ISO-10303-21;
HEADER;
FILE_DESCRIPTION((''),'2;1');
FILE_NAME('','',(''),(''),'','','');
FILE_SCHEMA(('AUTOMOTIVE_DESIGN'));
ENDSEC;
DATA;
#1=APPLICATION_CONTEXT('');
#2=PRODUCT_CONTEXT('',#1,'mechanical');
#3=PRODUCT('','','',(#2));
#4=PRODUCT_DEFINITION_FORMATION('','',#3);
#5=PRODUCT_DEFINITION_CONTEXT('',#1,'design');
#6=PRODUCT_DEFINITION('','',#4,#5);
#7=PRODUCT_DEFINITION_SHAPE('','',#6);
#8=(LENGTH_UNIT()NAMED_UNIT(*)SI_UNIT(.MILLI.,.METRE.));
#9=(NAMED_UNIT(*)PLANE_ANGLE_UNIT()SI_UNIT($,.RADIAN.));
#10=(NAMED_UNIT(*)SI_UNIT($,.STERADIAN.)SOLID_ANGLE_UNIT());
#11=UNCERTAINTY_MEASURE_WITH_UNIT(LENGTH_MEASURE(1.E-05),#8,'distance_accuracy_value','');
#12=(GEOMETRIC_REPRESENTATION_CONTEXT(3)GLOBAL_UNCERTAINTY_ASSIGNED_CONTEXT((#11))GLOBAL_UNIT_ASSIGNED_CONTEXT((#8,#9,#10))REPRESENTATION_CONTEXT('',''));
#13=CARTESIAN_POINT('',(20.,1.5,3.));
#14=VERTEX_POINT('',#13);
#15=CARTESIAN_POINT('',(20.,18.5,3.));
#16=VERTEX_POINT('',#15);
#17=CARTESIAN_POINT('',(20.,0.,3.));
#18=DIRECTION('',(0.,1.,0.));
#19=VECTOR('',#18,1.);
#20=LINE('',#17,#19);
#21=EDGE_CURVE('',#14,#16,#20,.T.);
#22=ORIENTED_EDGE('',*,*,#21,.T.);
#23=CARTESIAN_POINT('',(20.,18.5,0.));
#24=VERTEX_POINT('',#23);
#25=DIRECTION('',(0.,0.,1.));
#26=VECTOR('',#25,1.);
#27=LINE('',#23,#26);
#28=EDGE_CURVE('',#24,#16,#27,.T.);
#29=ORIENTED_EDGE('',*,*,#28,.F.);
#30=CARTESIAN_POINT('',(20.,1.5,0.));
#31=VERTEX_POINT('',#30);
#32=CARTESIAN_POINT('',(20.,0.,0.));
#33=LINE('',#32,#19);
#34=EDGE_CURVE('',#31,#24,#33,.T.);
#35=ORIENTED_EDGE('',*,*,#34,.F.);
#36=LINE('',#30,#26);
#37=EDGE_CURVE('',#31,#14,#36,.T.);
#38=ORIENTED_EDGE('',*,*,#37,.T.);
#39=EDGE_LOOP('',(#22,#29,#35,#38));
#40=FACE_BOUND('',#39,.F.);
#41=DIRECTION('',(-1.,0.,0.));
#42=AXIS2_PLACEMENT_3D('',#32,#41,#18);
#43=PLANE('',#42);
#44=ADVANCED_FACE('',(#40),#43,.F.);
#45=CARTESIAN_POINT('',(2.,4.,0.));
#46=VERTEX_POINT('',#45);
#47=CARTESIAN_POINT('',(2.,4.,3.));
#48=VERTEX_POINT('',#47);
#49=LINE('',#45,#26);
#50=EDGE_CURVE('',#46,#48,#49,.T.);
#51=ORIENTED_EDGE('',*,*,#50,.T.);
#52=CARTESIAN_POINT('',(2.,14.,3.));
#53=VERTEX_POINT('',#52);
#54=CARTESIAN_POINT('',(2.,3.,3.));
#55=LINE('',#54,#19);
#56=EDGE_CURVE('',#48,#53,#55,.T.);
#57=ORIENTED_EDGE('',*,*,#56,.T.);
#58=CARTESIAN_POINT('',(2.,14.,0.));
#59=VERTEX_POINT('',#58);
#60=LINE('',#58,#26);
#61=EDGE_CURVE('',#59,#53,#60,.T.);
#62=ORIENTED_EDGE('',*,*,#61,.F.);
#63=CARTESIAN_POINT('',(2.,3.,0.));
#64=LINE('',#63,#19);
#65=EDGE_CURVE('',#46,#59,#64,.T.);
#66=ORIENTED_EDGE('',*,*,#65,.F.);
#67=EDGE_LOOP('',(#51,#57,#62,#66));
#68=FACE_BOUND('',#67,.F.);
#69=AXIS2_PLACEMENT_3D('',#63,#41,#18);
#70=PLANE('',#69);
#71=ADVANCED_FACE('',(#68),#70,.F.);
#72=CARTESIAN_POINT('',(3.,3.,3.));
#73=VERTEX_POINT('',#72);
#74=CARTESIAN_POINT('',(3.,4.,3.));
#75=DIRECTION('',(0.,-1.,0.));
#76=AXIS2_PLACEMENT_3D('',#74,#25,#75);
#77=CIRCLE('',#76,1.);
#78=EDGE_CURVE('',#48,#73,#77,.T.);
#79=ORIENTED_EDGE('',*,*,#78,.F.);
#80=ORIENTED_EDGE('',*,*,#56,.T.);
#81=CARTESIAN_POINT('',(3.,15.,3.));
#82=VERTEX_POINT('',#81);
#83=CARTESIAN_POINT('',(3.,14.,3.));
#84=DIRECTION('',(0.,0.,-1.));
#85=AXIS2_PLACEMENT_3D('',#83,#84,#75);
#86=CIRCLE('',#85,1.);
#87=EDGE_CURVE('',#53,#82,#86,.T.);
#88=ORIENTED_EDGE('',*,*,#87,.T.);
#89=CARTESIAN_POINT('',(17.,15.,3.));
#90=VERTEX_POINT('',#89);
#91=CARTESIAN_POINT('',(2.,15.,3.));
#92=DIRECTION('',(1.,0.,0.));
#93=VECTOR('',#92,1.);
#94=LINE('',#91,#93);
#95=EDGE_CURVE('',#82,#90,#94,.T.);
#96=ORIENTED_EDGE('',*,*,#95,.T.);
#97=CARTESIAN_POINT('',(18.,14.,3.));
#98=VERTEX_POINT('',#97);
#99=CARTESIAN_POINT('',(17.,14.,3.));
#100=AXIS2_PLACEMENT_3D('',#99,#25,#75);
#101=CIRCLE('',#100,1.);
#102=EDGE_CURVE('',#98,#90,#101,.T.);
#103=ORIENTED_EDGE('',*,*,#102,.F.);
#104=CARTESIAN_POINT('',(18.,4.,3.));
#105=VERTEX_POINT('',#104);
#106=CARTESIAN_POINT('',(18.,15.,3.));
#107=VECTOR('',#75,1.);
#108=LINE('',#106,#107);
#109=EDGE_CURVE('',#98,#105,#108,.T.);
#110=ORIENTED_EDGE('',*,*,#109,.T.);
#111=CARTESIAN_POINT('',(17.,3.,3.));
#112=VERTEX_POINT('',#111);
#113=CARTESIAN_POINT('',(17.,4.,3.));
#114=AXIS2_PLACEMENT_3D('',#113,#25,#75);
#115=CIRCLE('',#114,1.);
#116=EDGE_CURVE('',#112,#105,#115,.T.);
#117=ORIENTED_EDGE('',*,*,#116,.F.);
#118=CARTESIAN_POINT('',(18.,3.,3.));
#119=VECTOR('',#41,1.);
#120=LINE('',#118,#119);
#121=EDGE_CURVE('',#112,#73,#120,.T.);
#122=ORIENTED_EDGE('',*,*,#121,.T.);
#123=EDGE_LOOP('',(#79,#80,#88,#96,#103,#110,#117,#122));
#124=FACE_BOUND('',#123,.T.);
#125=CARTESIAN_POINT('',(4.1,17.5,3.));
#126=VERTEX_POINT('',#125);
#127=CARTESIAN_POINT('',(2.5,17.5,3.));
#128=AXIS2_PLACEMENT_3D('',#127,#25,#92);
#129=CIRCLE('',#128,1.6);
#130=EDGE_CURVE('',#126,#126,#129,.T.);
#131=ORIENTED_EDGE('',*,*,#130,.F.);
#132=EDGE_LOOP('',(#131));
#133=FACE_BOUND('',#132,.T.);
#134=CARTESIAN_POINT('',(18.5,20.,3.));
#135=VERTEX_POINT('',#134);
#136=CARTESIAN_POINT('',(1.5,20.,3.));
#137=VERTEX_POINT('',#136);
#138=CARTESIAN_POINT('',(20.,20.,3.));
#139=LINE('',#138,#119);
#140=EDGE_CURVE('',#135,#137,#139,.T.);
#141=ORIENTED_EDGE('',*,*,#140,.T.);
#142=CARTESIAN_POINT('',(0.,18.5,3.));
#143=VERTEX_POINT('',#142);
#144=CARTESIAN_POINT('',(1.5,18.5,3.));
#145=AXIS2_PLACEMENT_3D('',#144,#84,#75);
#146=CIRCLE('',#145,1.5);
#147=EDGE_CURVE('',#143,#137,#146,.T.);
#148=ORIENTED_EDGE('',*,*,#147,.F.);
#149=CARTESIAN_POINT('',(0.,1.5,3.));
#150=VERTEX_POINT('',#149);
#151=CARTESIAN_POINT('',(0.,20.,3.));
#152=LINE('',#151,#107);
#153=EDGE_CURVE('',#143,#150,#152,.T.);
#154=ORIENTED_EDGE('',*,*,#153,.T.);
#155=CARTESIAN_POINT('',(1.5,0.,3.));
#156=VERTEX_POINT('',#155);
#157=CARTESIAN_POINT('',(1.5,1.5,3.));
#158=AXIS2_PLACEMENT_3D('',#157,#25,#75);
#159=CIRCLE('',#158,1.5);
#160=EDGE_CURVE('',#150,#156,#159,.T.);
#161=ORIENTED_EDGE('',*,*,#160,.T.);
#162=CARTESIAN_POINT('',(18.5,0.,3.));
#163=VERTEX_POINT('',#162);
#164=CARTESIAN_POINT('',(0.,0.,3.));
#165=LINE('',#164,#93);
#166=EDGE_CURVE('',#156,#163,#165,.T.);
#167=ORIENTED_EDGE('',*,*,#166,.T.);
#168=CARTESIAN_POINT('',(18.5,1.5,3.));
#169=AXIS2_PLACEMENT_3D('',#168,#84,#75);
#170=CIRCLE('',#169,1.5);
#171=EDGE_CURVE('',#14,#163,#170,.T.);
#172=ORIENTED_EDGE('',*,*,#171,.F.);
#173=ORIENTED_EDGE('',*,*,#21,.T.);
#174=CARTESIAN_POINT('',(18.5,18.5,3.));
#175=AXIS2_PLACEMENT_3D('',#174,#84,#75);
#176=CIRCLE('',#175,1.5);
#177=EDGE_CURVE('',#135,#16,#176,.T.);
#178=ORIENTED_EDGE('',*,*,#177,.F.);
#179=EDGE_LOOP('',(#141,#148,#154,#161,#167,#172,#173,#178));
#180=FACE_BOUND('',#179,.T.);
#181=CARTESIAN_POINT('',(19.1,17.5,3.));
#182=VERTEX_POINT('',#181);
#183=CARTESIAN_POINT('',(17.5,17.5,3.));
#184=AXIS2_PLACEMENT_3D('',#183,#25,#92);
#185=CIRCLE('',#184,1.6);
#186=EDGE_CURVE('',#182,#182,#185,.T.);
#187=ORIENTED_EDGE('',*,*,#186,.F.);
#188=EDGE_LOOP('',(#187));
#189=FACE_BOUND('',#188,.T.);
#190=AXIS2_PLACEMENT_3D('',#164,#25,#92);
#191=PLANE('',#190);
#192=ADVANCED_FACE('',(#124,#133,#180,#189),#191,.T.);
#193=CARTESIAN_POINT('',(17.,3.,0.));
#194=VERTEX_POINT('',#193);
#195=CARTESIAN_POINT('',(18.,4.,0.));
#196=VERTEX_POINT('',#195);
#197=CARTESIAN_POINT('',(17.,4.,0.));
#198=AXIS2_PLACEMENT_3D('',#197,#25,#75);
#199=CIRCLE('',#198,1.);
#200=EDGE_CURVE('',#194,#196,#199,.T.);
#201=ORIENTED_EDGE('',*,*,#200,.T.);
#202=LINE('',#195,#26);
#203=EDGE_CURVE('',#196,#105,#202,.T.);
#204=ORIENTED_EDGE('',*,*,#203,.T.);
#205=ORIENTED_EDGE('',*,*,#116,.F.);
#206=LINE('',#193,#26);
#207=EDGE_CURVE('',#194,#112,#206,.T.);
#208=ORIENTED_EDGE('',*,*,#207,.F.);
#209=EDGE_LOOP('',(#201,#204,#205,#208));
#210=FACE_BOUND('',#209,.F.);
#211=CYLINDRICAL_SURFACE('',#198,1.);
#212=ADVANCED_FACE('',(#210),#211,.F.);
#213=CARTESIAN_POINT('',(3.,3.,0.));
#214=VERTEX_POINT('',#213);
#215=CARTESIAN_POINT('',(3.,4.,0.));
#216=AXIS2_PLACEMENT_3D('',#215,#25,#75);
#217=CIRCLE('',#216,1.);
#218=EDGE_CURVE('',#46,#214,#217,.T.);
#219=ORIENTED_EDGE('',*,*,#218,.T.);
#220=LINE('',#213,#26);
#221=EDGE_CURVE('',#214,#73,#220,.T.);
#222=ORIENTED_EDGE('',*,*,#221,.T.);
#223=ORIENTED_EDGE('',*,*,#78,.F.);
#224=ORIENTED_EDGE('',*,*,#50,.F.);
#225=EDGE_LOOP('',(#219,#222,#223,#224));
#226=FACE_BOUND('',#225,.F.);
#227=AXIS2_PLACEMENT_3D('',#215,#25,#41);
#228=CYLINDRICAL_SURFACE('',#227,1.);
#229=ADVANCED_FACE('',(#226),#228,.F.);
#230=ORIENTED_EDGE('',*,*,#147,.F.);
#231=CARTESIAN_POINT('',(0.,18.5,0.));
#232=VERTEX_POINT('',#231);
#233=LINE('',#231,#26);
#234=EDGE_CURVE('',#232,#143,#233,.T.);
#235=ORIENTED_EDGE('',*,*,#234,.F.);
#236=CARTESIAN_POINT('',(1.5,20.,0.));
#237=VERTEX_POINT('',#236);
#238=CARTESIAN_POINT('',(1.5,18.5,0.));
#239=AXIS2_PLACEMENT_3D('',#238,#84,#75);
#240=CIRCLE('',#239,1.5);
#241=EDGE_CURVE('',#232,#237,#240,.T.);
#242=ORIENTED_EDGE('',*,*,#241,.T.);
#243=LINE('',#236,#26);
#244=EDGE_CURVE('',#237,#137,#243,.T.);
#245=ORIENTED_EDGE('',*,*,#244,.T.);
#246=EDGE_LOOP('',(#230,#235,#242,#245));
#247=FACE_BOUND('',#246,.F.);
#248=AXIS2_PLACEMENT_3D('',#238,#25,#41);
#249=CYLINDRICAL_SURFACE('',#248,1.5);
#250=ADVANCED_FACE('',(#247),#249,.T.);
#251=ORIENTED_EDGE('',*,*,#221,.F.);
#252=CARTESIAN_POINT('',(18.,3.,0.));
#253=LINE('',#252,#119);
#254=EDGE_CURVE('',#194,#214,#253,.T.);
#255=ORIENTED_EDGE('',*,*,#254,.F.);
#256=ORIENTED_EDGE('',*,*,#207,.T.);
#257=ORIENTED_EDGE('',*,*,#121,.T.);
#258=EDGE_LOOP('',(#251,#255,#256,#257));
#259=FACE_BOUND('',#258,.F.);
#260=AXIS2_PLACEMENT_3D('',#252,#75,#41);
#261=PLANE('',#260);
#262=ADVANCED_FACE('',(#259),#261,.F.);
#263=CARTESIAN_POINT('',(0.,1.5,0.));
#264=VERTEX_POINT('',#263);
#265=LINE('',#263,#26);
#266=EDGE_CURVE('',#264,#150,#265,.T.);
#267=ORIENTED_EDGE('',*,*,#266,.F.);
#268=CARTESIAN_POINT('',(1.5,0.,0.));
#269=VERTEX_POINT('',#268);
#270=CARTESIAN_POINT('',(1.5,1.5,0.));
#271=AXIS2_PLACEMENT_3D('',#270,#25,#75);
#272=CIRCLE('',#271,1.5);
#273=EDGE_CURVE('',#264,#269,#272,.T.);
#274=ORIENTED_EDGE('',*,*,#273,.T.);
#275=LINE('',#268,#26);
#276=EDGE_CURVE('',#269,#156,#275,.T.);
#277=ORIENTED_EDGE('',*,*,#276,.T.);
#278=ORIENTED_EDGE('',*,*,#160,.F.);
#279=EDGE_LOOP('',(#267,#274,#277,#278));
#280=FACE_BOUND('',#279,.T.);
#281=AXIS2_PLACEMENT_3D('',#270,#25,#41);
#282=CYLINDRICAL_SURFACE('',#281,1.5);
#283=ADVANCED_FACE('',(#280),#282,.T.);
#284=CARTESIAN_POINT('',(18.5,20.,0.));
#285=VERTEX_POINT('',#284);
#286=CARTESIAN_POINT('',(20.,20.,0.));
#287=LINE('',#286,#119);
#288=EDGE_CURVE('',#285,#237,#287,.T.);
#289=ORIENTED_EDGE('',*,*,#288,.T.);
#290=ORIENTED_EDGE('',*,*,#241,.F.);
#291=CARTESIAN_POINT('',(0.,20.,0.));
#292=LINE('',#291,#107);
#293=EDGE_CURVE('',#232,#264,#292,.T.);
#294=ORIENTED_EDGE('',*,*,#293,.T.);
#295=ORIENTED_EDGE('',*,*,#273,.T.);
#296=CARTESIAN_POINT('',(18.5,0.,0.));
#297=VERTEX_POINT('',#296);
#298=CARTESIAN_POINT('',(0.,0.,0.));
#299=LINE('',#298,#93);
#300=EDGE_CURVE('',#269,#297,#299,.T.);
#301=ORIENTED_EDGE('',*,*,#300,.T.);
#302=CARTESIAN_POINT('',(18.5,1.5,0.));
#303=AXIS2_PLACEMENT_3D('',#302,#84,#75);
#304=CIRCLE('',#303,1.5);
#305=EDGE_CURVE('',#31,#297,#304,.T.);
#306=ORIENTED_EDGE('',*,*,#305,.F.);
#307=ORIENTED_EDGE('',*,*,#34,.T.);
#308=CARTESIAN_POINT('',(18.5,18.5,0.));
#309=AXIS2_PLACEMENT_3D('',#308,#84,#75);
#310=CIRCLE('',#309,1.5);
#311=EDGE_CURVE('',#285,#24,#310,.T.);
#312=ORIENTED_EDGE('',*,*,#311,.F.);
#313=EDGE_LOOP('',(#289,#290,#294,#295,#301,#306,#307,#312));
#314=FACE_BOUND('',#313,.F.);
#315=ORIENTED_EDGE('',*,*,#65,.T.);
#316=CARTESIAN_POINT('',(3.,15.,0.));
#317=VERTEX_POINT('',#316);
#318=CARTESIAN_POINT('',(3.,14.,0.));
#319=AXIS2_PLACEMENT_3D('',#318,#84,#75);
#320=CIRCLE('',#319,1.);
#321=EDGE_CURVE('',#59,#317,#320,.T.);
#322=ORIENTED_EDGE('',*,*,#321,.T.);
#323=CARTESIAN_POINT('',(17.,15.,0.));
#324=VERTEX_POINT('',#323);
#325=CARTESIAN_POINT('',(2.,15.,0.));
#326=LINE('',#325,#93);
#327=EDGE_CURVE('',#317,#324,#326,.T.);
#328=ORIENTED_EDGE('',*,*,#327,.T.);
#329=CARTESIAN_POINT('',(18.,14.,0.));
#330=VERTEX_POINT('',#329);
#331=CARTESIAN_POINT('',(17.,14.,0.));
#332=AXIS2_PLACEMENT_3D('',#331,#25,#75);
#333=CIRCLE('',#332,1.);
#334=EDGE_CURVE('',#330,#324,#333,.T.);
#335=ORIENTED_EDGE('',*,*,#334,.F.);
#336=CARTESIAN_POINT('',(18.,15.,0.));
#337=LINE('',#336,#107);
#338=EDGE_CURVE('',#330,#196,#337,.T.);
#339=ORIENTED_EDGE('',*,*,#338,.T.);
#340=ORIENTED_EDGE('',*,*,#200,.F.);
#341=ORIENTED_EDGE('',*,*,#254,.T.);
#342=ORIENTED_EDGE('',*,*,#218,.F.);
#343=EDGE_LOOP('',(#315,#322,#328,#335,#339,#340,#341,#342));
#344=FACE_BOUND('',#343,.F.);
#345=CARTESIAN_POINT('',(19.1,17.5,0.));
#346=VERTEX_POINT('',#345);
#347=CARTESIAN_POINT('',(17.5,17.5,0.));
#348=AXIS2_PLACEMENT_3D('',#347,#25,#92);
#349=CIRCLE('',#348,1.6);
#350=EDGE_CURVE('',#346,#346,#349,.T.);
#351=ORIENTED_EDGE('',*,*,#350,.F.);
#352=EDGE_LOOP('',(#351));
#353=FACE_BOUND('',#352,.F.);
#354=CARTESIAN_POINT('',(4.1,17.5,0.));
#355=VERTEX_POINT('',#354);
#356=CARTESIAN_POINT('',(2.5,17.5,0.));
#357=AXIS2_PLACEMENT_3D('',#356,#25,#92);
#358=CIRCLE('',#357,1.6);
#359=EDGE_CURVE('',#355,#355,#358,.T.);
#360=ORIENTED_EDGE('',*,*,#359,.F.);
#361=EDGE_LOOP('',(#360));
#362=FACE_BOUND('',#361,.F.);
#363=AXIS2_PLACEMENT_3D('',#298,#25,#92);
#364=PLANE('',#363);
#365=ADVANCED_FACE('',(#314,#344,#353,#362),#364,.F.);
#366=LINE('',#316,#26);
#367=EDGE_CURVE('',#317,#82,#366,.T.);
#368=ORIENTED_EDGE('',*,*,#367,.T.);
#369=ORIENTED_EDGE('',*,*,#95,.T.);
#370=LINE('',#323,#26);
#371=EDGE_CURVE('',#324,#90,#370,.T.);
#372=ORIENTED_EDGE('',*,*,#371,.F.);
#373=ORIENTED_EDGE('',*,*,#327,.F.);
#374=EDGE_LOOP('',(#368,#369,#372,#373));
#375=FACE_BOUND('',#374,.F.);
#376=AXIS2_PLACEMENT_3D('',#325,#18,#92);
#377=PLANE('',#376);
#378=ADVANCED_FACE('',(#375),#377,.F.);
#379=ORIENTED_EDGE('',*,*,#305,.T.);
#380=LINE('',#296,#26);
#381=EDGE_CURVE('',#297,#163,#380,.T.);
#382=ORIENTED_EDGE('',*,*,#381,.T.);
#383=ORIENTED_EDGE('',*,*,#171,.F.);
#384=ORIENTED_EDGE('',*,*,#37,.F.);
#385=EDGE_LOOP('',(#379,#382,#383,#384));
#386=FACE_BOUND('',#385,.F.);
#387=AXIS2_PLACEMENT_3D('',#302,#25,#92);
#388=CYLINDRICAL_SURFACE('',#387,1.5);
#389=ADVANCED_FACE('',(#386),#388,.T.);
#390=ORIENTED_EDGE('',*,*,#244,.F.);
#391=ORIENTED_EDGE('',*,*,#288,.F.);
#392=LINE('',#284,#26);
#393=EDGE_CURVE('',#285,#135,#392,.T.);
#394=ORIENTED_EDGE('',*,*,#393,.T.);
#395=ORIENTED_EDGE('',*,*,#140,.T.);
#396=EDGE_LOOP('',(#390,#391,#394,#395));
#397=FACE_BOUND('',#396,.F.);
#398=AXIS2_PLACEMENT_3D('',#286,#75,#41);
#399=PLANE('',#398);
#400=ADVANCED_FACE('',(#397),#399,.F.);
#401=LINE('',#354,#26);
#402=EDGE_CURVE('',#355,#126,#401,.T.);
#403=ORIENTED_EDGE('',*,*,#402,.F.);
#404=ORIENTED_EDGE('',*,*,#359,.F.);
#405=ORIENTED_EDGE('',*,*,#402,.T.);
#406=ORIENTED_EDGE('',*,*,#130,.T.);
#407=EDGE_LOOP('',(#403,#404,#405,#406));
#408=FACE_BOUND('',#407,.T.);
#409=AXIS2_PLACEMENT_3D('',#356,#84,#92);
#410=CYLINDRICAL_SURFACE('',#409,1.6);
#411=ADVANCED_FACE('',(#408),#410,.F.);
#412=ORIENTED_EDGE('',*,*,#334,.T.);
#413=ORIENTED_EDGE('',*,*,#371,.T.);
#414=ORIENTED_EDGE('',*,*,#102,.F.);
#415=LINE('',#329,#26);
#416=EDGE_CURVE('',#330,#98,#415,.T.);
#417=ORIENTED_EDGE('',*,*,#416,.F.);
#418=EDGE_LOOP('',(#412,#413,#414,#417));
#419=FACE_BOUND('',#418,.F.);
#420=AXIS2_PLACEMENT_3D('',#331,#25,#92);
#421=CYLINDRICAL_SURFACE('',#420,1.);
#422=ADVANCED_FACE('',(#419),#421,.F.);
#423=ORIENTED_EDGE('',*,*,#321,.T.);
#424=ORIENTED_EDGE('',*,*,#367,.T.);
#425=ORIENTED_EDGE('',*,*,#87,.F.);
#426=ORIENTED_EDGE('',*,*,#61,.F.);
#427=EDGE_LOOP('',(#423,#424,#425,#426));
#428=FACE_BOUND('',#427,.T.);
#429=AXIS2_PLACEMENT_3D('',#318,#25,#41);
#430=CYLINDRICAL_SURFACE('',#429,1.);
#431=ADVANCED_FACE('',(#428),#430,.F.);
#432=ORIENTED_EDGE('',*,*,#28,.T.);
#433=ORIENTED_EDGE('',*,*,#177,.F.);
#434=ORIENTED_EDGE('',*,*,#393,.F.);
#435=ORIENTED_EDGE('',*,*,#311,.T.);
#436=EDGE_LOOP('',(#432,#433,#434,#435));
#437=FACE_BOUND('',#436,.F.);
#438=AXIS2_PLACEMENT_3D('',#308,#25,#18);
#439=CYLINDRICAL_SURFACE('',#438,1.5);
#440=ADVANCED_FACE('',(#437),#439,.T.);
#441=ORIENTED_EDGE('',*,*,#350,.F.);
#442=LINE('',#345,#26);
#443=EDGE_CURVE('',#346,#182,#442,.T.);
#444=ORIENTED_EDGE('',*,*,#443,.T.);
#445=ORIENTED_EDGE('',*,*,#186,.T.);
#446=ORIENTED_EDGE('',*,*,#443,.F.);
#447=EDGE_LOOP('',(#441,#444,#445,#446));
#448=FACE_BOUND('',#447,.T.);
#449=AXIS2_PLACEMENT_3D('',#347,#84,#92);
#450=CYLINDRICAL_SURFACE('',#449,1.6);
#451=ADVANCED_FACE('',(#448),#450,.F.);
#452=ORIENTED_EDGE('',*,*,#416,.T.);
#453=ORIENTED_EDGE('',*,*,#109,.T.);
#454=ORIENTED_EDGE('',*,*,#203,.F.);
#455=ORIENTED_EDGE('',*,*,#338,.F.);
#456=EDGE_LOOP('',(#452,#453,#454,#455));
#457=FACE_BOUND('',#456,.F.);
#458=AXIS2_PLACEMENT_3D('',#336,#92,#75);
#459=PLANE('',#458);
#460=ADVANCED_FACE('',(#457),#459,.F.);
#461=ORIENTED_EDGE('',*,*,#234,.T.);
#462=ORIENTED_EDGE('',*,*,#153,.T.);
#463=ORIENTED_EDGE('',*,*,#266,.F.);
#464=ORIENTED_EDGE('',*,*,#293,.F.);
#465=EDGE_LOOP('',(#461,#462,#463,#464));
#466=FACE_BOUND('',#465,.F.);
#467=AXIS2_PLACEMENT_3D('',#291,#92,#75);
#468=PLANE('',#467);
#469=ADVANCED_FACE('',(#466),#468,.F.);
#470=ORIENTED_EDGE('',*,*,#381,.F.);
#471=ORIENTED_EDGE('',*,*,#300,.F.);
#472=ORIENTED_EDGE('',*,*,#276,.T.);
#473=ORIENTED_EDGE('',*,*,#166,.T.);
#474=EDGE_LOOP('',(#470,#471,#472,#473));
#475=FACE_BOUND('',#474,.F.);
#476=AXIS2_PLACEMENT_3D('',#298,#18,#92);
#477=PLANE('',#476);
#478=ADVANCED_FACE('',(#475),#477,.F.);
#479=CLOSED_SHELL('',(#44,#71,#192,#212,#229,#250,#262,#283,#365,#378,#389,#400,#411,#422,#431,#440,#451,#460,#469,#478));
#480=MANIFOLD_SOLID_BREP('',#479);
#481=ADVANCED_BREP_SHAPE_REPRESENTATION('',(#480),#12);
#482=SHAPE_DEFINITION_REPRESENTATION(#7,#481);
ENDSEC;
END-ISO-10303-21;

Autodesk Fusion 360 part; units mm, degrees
sketch "Sketch1" plane through (0, 0, 0) normal (0, 0, 1) x (1, 0, 0) in component "ZSY Standoff"
  line L0 (0, 0) -> (20, 0)
  line L1 (20, 0) -> (20, 20)
  line L2 (20, 20) -> (0, 20)
  line L3 (0, 20) -> (0, 0)
  line L4 (0, 17.5) -> (20, 17.5) construction
  line L5 (10, 20) -> (10, 0) construction
  circle A0 centre (17.5, 17.5) radius 1.6
  circle A1 centre (2.5, 17.5) radius 1.6
  line L6 (2, 20) -> (2, 0) construction
  line L7 (18, 20) -> (18, 0) construction
  line L8 (0, 3) -> (20, 3) construction
  line L9 (0, 15) -> (20, 15) construction
  line L10 (2, 15) -> (18, 15)
  line L11 (18, 15) -> (18, 3)
  line L12 (18, 3) -> (2, 3)
  line L13 (2, 3) -> (2, 15)
  dimension "d1" = 20
  dimension "d2" = 20
  dimension "d3" = 2.5
  dimension "d4" = 3.2
  dimension "d5" = 3.2
  dimension "d6" = 7.5
  dimension "d7" = 7.5
  dimension "d8" = 2
  dimension "d9" = 2
  dimension "d10" = 3
  dimension "d11" = 5
extrude "Extrude1" add sketch "Sketch1" along normal blind 3 in component "ZSY Standoff"
fillet "Fillet1" radius 1.5 4 edges at (20, 20, 1.5) (0, 20, 1.5) (0, 0, 1.5) (20, 0, 1.5) in component "ZSY Standoff"
fillet "Fillet2" radius 1 4 edges at (2, 15, 1.5) (18, 15, 1.5) (18, 3, 1.5) (2, 3, 1.5) in component "ZSY Standoff"
component "ZSY Standoff" placed x (1, 0, 0) y (0, 1, 0) z (0, 0, 1) at (0, 0, 0)
